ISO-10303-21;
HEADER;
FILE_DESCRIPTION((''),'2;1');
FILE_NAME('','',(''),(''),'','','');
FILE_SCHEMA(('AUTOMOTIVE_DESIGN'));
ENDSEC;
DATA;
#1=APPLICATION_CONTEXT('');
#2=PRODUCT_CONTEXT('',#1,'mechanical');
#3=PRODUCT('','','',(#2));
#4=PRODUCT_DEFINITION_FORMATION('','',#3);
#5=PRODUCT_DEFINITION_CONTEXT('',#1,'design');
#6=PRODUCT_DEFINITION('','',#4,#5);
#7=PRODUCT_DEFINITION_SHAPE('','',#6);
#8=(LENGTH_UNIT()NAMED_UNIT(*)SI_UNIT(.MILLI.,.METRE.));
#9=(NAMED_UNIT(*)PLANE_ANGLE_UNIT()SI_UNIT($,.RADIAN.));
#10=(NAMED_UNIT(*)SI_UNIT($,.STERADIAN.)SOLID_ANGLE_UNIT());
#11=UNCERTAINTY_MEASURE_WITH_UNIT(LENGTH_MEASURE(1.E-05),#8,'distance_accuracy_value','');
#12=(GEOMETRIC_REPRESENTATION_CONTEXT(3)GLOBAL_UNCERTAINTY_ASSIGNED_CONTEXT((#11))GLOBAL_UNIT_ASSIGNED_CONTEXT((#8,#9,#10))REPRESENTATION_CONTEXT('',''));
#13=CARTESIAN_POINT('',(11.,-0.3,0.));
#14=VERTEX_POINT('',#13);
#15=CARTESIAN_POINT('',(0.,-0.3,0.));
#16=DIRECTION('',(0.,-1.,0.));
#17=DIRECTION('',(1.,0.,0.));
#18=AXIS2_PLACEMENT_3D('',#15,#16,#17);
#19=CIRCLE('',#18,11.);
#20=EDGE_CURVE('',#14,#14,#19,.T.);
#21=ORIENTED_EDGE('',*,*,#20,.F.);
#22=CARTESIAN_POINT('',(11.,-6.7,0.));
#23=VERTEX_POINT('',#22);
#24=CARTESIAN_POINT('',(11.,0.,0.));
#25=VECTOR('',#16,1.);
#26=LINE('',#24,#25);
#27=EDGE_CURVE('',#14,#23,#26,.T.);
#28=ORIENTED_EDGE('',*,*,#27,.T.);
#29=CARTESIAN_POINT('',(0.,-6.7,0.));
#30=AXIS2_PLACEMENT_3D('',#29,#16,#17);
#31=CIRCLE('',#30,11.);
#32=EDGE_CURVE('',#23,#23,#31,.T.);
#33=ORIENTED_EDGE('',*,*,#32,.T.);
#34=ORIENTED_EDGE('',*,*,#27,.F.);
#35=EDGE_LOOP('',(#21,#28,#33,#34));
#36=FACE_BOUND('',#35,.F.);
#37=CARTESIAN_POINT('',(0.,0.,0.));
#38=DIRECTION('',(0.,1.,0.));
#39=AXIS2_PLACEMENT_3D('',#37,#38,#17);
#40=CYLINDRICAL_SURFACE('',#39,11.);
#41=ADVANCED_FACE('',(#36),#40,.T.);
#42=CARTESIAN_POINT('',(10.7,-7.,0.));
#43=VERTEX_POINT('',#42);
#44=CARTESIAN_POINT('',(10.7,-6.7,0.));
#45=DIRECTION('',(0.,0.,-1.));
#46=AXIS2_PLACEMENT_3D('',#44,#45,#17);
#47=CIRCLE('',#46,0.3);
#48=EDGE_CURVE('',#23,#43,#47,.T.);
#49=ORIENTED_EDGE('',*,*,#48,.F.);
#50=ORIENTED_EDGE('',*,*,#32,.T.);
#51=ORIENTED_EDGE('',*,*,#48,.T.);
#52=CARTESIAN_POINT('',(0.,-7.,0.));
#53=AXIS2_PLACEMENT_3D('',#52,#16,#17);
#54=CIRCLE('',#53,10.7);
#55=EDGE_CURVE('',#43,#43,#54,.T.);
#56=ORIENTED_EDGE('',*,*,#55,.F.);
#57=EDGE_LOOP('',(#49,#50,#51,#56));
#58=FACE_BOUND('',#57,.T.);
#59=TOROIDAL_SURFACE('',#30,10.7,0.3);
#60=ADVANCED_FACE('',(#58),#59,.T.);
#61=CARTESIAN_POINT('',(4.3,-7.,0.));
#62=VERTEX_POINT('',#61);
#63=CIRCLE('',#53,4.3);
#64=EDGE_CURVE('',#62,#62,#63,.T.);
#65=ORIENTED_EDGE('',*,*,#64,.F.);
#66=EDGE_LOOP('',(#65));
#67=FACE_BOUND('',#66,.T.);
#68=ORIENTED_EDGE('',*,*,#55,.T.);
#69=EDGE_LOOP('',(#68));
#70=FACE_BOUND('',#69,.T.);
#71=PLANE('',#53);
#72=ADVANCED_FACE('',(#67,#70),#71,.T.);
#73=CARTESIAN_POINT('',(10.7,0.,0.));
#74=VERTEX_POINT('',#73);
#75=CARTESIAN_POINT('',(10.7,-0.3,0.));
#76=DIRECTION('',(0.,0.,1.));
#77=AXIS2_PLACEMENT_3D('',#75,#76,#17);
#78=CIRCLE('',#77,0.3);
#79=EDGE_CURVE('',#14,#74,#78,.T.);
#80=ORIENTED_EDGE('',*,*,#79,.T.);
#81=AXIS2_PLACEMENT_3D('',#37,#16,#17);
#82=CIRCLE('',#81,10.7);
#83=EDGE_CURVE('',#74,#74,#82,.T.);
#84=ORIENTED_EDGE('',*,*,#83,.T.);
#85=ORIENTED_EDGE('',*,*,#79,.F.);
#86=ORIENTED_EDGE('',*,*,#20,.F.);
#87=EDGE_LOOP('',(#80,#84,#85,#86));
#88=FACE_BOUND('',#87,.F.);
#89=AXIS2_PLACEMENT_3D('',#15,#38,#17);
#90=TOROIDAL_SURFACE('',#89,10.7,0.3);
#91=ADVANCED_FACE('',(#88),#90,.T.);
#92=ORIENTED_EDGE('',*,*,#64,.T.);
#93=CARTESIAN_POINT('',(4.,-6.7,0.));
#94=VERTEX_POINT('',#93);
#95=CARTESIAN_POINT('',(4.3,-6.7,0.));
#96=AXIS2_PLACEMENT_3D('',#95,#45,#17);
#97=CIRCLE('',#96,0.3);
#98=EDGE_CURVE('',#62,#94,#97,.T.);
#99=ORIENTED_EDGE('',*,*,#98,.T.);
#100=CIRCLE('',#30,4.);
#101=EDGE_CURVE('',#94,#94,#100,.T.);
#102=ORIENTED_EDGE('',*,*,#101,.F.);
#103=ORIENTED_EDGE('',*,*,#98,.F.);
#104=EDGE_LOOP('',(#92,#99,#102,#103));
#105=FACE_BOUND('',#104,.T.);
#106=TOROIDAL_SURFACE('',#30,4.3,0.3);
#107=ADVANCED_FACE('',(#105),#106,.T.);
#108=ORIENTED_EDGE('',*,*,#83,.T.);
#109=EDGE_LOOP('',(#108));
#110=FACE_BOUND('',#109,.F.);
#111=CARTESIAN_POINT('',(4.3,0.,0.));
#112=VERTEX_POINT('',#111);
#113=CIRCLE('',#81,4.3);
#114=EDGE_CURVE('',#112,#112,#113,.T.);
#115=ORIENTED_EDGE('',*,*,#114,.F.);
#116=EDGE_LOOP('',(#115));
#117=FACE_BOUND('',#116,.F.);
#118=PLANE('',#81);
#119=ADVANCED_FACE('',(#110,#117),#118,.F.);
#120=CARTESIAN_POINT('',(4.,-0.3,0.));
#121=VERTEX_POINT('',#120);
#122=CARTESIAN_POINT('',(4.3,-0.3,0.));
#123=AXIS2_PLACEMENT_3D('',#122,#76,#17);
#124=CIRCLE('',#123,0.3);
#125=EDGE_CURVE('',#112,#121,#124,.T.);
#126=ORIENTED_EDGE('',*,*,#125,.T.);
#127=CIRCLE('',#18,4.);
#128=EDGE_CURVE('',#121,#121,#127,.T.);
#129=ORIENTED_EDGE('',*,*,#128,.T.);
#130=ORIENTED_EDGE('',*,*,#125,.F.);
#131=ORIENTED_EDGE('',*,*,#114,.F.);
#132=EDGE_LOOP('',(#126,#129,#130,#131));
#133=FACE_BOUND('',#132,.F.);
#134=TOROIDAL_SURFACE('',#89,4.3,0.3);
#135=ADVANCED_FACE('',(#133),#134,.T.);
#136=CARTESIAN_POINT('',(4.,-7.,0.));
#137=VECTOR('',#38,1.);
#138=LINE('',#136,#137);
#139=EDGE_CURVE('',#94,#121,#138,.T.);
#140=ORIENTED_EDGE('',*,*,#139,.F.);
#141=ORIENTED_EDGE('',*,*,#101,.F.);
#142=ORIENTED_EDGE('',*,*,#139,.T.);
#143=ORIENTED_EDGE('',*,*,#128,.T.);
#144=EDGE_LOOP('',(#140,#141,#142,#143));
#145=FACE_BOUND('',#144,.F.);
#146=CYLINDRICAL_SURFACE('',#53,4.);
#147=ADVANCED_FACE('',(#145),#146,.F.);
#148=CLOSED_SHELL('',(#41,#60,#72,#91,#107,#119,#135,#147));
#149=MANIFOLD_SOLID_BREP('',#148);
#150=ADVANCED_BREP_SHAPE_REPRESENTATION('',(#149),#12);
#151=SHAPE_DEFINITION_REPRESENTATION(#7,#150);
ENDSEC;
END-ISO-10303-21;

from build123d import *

# Parameters (mm, degrees)
F0_R     = 11
F1_DEPTH = 7
F2_R     = 4
F3_DEPTH = 25
F4_R     = 0.3


with BuildPart() as f1:
    # F0 (on Front) → F1 (new body)
    with BuildSketch(Plane.XZ):
        Circle(F0_R)
    extrude(amount=F1_DEPTH)

    # F2 (on face) → F3 (cut)
    with BuildSketch(Plane.XZ.offset(7)):
        Circle(F2_R)
    extrude(amount=-F3_DEPTH, mode=Mode.SUBTRACT)

    # F4
    f4_edges = [f1.edges().sort_by_distance(p)[0] for p in [
        (-11, -7, 0),
        (-11, 0, 0),
        (-4, 0, 0),
        (-4, -7, 0),
    ]]
    fillet(f4_edges, radius=F4_R)


solid = f1.part
